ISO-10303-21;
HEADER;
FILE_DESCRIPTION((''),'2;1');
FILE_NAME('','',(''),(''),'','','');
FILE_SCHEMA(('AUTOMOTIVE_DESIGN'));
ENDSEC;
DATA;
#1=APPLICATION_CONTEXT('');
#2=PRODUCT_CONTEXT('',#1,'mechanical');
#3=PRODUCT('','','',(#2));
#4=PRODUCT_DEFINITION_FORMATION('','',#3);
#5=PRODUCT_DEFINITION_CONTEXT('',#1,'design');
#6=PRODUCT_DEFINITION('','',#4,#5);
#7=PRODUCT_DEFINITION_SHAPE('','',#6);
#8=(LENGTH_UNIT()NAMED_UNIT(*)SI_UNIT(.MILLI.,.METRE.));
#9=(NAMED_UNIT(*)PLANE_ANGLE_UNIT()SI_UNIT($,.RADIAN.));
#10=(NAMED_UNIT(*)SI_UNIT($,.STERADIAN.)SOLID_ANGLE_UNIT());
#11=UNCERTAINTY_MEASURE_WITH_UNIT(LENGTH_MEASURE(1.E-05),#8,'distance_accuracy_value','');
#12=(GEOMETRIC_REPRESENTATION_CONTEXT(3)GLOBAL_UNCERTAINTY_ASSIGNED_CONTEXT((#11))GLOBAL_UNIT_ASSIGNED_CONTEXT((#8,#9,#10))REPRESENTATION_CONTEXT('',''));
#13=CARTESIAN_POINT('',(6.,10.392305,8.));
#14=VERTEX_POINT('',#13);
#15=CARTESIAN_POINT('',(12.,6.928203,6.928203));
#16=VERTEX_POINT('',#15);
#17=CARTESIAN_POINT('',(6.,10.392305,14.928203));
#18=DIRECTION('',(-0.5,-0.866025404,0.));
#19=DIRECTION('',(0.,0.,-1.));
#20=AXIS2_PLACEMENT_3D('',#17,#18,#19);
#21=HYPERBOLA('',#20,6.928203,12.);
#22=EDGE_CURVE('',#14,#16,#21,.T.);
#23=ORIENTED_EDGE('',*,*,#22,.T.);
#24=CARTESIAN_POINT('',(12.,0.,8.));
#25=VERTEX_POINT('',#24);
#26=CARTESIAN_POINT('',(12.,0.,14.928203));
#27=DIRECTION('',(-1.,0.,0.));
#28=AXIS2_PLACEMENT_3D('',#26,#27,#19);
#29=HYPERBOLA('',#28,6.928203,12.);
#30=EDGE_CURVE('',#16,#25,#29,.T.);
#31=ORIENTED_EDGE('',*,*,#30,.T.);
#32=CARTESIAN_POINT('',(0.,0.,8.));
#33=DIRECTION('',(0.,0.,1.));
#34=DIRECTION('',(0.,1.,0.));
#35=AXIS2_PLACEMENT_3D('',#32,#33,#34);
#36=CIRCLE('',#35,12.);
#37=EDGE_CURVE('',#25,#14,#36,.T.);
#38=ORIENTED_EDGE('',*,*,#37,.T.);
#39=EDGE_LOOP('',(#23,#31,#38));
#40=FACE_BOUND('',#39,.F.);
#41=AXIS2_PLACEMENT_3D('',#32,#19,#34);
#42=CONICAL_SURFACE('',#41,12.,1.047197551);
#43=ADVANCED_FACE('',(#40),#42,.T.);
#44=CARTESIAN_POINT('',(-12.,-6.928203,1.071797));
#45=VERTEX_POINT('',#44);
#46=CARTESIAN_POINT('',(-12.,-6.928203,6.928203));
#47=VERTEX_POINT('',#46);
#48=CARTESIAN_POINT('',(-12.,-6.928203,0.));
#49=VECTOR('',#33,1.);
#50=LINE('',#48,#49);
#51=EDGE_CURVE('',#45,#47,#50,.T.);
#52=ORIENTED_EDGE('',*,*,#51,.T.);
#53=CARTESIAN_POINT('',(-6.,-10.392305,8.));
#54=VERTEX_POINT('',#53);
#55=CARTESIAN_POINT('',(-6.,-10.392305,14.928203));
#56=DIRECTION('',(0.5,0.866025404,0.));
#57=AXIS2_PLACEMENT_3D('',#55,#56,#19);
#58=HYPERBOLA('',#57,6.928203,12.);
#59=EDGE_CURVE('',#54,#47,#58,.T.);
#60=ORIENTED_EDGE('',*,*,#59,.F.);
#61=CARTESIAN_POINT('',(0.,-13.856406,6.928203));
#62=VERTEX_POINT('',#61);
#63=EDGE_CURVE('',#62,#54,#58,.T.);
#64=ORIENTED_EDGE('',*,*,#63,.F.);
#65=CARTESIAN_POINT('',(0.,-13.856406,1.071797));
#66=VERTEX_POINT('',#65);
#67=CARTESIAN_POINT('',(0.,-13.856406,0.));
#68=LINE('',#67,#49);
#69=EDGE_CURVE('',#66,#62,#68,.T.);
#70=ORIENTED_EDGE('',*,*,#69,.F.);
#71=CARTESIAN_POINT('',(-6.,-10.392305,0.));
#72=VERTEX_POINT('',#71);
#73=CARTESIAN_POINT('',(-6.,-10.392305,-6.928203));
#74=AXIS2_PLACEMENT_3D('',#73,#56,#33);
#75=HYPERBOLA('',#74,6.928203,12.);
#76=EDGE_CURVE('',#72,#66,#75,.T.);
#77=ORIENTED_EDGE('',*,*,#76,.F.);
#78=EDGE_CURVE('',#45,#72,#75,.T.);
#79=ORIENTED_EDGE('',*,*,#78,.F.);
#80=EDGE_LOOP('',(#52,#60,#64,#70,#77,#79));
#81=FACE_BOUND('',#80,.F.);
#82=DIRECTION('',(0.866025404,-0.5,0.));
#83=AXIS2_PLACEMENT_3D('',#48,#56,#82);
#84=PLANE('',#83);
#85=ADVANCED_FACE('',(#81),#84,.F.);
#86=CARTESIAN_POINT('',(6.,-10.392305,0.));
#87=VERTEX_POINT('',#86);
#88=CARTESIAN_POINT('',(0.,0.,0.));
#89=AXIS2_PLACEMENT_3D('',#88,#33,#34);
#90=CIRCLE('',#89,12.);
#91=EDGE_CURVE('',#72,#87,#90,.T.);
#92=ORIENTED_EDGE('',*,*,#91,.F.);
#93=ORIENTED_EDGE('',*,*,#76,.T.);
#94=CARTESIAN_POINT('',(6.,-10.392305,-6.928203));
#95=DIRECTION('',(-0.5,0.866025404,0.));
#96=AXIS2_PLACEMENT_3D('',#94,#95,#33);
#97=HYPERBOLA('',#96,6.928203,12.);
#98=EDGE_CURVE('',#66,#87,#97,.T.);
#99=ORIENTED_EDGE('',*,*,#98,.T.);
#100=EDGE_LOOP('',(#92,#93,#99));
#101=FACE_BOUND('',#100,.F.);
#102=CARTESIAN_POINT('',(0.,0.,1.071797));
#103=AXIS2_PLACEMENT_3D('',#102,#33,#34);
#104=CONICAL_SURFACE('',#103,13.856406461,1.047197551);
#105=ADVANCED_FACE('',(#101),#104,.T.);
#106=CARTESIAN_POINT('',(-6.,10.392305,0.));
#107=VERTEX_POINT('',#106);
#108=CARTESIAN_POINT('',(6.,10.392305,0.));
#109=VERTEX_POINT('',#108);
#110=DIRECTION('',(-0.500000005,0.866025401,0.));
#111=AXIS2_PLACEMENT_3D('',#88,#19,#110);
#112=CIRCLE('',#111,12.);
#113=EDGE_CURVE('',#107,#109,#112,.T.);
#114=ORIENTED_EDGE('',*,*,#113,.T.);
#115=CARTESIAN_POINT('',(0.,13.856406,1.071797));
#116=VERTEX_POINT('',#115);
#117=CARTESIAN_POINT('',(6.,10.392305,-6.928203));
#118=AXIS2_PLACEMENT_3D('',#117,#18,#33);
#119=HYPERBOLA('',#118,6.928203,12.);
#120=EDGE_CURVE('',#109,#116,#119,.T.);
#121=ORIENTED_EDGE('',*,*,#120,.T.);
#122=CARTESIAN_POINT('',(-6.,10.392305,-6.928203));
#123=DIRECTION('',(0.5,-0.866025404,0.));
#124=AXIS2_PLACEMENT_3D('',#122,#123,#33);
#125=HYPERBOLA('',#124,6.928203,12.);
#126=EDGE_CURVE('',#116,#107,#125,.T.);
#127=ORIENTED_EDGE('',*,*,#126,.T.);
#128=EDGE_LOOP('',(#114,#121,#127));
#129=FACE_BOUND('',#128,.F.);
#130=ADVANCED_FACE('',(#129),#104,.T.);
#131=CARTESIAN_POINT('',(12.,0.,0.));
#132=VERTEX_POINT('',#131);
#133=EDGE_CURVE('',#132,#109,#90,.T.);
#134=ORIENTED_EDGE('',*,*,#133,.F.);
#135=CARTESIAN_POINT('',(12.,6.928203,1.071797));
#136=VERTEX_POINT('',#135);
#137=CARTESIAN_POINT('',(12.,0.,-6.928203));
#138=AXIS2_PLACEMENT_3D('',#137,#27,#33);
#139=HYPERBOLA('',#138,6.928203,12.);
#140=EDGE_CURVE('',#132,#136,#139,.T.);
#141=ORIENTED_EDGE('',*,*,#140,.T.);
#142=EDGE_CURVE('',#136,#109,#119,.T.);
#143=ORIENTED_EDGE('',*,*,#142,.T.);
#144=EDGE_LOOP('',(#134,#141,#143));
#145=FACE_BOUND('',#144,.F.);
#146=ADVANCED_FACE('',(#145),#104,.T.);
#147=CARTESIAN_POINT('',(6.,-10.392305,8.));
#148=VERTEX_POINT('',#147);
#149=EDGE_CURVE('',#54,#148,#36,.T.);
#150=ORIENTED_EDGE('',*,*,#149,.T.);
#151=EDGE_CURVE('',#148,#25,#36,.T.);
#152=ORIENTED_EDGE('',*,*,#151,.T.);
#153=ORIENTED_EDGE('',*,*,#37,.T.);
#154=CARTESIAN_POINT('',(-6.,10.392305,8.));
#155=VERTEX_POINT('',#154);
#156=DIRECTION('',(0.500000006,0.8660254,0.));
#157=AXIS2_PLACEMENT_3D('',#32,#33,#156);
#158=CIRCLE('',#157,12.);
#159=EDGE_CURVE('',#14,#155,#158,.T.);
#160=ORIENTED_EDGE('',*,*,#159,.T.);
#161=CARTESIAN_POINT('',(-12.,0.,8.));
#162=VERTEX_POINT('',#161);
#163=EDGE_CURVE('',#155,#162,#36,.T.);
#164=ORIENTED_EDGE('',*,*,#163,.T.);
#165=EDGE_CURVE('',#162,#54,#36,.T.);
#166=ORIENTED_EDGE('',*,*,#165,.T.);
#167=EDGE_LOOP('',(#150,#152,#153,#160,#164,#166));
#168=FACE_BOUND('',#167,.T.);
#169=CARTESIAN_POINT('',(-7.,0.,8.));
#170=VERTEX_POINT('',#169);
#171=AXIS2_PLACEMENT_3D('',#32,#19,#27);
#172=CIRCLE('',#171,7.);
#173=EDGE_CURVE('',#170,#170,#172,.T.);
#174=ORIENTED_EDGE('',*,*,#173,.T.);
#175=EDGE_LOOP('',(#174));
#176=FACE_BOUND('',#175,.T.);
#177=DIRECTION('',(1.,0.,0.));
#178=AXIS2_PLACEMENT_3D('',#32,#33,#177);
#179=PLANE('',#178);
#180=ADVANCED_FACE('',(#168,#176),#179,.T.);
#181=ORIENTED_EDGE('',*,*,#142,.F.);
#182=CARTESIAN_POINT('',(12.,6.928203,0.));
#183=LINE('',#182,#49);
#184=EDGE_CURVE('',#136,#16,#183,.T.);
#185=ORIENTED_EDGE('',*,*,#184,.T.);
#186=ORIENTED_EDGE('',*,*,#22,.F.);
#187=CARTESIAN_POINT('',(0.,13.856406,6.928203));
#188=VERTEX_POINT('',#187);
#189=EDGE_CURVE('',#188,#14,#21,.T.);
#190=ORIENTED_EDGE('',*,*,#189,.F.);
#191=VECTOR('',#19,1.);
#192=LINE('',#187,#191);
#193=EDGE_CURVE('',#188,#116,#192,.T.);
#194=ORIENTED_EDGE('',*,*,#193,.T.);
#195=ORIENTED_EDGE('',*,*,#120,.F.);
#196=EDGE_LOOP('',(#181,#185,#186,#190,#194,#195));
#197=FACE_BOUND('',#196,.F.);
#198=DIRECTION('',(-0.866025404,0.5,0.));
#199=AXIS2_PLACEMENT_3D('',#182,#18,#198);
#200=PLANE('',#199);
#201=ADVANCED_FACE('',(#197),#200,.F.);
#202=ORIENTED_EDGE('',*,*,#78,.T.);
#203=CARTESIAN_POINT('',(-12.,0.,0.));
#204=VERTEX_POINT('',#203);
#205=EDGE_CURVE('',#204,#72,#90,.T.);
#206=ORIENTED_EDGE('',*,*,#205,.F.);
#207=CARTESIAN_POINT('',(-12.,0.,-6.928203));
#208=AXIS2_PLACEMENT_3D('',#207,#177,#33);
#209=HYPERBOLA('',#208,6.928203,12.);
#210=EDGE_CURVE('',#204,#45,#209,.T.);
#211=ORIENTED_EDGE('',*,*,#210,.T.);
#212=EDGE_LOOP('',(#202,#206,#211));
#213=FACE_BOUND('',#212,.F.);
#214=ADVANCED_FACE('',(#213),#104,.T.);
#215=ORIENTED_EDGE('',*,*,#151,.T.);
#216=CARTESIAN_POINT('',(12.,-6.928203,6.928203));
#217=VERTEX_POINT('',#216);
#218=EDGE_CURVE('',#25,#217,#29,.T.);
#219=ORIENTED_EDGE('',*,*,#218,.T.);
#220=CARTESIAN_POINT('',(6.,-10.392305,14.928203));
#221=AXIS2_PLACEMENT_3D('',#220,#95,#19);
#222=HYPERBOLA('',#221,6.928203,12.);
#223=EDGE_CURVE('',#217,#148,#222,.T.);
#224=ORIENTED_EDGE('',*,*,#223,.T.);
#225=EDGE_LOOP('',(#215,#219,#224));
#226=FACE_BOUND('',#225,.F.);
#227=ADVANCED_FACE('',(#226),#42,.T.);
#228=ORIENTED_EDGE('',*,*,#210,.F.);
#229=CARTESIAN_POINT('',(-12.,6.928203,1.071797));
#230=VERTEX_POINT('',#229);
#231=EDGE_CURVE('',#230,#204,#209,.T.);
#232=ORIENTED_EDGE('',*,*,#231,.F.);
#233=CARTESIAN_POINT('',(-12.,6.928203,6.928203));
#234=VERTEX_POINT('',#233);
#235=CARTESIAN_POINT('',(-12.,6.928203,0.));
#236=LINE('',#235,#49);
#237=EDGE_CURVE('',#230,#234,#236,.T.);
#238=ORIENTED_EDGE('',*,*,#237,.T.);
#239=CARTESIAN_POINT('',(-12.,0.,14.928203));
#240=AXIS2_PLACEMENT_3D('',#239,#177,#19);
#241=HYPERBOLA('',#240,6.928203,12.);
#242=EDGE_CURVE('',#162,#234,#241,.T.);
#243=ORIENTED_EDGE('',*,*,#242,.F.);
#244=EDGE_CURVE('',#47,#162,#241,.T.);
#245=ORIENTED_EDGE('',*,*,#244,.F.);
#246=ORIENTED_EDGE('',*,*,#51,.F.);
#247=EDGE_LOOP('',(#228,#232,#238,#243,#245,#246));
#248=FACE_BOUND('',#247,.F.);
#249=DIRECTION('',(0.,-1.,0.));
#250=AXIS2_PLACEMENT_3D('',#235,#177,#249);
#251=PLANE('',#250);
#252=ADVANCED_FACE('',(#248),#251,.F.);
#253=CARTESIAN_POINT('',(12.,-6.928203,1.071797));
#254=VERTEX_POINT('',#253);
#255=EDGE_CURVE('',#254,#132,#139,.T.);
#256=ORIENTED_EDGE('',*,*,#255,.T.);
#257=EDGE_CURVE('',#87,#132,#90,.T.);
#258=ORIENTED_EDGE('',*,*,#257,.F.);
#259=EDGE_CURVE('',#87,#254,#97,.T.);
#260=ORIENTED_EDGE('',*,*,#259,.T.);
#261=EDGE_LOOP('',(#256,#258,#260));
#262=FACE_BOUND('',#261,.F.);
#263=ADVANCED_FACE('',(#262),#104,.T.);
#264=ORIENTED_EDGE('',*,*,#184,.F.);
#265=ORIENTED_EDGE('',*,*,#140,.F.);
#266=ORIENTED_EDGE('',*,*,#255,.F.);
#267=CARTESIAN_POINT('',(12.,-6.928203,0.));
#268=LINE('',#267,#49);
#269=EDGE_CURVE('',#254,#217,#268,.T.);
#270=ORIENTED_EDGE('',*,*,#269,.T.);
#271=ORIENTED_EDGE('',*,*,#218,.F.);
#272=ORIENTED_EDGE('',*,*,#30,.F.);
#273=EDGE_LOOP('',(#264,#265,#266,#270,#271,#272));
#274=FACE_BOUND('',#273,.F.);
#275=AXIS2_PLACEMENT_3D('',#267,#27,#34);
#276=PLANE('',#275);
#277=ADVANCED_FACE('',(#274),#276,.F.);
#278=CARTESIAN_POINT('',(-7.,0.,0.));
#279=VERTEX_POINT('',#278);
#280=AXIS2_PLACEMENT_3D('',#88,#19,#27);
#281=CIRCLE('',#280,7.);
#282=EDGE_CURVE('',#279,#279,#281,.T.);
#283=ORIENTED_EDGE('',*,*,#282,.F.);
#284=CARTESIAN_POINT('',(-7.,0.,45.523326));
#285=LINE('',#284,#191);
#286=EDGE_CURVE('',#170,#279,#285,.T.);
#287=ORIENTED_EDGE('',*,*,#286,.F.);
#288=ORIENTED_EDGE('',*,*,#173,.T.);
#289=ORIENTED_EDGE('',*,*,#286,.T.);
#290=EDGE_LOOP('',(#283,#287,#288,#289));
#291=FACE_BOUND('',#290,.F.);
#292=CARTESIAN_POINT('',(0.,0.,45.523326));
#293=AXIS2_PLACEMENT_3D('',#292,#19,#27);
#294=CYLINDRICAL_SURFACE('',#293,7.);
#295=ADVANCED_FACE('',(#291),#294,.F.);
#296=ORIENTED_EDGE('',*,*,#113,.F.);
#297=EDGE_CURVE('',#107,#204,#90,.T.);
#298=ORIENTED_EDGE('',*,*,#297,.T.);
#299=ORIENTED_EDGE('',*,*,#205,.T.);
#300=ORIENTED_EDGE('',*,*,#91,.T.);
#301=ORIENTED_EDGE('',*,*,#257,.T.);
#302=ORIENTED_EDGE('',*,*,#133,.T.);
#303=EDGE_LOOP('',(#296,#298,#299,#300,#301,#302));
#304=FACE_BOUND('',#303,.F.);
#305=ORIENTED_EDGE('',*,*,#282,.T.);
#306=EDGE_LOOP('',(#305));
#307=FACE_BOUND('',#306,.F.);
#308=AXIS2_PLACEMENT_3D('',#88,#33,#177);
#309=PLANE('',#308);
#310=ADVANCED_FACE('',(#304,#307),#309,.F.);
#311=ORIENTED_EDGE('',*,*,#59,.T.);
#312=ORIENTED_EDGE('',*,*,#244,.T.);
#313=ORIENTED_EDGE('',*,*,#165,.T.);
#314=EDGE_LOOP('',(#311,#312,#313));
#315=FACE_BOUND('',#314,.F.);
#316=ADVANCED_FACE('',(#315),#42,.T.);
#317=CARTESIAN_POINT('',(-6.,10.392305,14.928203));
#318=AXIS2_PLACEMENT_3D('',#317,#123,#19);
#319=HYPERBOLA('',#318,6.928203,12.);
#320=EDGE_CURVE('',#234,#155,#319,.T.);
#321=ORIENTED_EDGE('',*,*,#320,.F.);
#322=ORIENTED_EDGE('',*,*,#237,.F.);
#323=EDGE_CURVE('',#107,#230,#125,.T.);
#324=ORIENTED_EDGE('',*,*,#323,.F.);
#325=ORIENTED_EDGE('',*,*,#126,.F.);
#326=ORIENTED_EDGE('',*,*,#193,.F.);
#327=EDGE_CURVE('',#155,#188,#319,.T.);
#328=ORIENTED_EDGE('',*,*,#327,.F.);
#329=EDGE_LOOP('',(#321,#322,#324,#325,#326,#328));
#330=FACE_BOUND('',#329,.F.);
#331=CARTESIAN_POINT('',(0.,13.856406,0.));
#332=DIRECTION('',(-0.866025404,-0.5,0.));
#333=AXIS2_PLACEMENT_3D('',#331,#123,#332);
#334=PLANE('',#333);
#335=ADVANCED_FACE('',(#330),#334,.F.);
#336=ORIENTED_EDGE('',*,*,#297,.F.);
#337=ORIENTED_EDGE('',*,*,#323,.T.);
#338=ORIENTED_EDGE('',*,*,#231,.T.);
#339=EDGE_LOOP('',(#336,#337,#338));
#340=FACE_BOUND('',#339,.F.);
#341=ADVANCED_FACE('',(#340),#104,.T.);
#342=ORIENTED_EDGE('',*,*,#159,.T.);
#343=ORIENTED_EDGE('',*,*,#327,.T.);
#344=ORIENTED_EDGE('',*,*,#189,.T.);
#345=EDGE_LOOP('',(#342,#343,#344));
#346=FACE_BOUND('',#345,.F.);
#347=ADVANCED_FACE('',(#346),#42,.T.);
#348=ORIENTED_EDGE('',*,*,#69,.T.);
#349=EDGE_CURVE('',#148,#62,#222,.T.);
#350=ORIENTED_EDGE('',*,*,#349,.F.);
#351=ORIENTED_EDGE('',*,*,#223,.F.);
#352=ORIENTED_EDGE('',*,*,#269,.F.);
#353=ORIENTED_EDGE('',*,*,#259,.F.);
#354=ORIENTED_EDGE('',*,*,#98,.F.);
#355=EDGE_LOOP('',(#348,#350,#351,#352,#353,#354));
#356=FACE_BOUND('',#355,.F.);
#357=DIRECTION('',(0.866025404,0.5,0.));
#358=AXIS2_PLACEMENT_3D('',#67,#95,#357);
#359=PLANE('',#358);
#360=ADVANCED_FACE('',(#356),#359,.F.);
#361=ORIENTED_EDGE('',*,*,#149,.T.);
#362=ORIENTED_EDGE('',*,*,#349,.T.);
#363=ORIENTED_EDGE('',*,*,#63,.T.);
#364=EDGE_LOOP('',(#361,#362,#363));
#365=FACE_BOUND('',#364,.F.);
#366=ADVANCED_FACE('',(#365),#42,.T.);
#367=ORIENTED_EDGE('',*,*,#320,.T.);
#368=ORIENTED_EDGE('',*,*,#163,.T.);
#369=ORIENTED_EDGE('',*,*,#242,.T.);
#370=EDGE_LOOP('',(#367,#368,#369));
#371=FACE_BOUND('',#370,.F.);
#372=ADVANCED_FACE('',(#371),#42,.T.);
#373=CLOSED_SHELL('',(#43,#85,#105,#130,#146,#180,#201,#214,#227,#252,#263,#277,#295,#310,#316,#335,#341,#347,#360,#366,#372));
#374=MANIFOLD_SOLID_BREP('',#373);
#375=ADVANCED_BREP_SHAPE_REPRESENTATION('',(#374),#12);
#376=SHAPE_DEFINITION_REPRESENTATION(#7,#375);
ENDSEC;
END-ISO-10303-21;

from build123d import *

# Parameters (mm, degrees)
BASIS_LINEAR_AUSTRAGEN_DEPTH = 8
BOHRUNG1_D                   = 14


with BuildPart() as part:
    # Skizze1 → Basis-Linear austragen (new body)
    with BuildSketch(Plane.XY):
        Polygon((0, -13.856406461), (12, -6.92820323), (12, 6.92820323), (0, 13.856406461), (-12, 6.92820323), (-12, -6.92820323), align=None)
    extrude(amount=BASIS_LINEAR_AUSTRAGEN_DEPTH)

    # Skizze2 → Schnitt-Rotation1 (revolve, cut)
    with BuildSketch(Plane(origin=(0, 0, 0), x_dir=(0, 0, -1), z_dir=(1, 0, 0))):
        Polygon((-8, 12), (-6.92820323, 13.856406461), (-1.07179677, 13.856406461), (0, 12), (0, 14.856406461), (-8, 14.856406461), align=None)
    revolve(axis=Axis((0, 0, -0.921105868), (0, 0, 1)), mode=Mode.SUBTRACT)

    # Bohrung1 (through all)
    with Locations(Plane.XY.offset(8)):
        with Locations((0, 0)):
            Hole(BOHRUNG1_D / 2)


solid = part.part
